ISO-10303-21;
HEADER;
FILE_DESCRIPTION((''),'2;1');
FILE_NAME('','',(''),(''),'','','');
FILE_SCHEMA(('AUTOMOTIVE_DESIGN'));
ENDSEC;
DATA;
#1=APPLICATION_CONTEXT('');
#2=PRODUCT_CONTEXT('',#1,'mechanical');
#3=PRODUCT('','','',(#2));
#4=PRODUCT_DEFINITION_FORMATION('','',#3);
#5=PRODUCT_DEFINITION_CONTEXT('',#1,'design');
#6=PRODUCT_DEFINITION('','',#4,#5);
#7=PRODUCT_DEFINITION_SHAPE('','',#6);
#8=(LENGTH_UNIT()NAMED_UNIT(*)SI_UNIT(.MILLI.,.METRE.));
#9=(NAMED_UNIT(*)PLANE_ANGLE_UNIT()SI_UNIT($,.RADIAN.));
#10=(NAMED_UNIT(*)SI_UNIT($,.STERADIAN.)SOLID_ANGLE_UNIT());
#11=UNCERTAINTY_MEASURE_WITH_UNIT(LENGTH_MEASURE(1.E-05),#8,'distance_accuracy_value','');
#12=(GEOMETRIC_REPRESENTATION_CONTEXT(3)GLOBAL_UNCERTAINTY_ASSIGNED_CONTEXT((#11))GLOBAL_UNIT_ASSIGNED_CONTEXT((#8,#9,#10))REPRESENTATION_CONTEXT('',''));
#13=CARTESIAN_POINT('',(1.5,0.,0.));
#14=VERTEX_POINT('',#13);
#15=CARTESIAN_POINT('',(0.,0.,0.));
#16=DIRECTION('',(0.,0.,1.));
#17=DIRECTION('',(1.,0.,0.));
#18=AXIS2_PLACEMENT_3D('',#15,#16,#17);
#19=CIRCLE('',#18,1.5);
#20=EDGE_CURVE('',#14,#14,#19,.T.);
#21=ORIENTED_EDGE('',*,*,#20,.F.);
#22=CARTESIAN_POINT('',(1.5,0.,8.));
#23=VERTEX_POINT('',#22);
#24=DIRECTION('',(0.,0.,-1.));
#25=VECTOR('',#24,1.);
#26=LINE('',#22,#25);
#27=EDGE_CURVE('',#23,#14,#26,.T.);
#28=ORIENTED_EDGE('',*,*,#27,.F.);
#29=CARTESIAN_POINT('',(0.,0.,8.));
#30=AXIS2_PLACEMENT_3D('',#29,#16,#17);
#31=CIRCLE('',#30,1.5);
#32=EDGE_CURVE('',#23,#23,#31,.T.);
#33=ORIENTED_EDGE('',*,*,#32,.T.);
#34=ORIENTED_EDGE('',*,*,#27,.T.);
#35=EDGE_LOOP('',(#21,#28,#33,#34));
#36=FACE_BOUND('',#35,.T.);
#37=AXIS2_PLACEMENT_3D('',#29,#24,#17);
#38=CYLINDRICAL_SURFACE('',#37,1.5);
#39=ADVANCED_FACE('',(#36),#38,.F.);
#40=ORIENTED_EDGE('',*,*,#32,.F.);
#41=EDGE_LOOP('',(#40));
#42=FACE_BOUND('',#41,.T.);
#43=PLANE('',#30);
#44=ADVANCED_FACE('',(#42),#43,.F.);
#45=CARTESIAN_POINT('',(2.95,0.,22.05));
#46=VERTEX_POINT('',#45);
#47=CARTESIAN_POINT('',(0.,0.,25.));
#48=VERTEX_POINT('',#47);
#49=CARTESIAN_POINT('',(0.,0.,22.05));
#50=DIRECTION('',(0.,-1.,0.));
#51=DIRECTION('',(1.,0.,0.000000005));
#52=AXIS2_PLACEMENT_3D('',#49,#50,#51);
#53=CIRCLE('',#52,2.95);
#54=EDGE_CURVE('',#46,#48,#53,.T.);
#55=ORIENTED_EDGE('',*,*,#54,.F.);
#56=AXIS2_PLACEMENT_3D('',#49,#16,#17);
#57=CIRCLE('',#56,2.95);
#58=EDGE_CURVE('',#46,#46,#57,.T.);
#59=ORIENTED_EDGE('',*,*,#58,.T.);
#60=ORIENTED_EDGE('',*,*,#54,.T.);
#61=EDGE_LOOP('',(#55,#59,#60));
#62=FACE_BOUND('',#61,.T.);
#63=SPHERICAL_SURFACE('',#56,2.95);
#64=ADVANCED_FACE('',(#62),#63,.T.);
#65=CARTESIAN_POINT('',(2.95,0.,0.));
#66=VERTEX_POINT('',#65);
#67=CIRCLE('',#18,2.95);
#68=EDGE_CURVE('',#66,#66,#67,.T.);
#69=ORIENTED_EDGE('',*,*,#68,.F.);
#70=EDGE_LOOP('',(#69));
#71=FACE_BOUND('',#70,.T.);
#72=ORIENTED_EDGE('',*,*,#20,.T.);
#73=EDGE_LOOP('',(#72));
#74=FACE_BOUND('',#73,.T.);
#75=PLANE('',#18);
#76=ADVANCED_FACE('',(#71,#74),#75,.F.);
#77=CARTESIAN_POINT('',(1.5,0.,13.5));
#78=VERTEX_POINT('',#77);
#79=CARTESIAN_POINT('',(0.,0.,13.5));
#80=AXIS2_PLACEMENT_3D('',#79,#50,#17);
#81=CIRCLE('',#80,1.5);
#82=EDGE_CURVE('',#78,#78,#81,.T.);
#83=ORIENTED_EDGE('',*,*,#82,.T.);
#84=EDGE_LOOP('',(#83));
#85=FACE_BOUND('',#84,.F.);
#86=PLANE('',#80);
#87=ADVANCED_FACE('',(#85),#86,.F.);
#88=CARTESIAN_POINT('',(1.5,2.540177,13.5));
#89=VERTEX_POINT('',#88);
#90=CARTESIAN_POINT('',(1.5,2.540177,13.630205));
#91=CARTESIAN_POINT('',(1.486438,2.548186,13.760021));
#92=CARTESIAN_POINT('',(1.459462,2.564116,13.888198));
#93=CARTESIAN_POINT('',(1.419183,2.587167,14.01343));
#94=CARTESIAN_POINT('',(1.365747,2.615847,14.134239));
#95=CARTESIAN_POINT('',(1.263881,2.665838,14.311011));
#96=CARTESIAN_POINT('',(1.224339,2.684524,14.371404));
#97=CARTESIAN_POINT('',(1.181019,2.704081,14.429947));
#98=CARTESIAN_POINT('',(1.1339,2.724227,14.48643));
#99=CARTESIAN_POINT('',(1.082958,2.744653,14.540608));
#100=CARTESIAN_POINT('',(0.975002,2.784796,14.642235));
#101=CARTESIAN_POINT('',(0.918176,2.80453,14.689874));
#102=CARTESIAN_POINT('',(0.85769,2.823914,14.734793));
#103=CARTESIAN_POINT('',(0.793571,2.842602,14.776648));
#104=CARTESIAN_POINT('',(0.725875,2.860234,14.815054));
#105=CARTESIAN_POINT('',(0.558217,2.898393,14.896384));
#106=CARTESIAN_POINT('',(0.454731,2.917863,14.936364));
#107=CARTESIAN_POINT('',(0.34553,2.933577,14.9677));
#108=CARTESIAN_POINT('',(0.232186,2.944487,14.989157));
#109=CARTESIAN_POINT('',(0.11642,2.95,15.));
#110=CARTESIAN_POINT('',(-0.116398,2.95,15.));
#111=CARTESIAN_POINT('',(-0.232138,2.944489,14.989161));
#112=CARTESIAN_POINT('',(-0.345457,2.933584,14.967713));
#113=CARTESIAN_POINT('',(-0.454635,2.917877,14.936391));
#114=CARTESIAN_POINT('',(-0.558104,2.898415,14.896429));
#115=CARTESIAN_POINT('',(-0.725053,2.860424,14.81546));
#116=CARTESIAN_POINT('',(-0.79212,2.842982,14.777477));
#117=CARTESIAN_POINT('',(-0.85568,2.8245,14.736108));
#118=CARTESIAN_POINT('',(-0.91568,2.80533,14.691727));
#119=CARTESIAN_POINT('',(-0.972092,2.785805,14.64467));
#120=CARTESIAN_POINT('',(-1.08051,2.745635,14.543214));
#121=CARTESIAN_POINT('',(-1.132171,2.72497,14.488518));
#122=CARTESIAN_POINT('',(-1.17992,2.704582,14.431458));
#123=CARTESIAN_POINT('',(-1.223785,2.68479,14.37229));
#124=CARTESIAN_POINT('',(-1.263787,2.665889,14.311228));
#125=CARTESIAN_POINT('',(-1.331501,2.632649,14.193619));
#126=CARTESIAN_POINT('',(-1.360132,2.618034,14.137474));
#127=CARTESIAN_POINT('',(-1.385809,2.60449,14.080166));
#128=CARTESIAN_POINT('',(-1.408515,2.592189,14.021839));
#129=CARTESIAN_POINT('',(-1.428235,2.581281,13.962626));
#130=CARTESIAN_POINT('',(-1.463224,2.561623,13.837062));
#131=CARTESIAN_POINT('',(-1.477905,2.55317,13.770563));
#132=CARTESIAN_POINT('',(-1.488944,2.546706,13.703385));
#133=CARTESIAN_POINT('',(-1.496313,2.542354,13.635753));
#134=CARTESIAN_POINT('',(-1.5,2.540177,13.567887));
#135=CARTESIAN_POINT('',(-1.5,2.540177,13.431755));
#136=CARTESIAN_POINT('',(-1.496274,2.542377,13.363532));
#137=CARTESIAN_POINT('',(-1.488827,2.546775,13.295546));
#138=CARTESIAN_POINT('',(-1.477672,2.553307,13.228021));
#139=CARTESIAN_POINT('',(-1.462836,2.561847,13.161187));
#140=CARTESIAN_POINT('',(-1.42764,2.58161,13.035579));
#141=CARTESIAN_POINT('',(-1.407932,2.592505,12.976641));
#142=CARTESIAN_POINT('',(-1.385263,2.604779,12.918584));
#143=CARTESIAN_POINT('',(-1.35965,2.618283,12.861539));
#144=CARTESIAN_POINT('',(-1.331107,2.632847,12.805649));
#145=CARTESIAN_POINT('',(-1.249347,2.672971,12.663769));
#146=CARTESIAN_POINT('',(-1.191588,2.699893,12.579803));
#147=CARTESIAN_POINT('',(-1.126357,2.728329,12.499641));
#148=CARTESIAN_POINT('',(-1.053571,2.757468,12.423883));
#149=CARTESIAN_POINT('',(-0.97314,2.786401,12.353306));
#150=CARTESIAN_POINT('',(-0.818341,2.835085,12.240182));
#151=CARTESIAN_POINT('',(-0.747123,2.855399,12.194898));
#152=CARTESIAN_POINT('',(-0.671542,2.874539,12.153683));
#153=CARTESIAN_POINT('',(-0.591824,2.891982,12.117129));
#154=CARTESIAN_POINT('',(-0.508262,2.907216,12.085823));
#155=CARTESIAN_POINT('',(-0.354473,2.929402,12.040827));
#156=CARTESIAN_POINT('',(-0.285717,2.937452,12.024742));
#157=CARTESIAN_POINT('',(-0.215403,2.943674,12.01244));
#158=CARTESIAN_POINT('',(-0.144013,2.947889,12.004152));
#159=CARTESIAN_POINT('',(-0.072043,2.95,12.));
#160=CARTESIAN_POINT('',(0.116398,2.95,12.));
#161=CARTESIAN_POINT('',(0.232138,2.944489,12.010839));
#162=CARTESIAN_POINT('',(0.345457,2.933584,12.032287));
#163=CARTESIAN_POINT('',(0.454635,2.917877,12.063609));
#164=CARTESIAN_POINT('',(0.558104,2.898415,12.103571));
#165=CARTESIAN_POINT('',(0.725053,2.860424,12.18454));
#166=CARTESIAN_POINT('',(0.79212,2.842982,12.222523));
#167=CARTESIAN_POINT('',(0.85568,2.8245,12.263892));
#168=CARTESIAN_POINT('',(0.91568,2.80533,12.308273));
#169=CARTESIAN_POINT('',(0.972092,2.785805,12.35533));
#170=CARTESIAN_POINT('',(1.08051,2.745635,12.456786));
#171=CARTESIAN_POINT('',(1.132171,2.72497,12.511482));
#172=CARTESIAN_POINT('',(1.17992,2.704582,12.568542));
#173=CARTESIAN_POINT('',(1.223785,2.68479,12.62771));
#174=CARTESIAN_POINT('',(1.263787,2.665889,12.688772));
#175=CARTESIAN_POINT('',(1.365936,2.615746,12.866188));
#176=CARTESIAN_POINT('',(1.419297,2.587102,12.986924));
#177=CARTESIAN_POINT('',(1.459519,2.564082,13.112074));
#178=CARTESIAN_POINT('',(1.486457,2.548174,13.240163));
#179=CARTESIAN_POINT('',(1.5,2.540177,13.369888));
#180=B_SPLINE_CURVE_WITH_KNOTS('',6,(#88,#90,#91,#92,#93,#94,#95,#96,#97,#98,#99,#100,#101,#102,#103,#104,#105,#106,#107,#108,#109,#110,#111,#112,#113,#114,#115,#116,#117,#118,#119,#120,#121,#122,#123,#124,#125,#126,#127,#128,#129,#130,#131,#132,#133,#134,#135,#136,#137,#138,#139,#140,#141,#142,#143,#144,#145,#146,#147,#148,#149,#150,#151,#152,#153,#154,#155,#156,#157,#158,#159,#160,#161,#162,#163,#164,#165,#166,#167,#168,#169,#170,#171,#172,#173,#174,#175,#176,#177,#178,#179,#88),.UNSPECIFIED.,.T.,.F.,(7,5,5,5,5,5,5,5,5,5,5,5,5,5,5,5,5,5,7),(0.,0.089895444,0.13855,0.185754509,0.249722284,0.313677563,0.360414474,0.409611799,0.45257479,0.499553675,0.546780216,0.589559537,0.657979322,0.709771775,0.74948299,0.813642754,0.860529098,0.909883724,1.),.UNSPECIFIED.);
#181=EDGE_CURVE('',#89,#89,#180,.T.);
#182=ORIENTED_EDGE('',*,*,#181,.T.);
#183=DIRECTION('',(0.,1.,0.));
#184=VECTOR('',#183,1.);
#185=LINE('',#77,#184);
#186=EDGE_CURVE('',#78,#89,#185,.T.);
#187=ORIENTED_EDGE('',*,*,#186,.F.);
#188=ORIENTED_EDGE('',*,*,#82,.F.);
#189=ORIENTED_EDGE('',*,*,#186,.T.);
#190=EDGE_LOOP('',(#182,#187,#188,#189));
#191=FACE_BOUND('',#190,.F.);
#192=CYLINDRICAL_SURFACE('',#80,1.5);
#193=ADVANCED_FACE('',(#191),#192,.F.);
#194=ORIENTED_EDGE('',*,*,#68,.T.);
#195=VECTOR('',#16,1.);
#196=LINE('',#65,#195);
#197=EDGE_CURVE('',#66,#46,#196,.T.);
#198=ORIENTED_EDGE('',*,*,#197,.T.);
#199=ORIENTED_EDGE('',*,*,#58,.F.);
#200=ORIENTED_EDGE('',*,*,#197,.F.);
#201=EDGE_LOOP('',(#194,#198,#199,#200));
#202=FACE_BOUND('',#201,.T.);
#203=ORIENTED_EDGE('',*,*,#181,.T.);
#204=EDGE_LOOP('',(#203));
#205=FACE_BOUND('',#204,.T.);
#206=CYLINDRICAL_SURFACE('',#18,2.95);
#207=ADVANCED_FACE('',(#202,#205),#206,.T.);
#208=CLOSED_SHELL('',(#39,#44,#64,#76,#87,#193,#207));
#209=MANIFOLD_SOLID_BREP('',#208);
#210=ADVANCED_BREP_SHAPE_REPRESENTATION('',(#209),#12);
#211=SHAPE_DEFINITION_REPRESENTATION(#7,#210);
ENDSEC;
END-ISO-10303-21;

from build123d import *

# Parameters (mm, degrees)
F2_R     = 1.5
F3_DEPTH = 25


with BuildPart() as f1:
    # F0 (on Front) → F1 (revolve)
    with BuildSketch(Plane.XZ):
        with BuildLine():
            Line((1.5, 8), (1.5, 0))
            Line((1.5, 0), (2.95, 0))
            Line((2.95, 0), (2.95, 22.05))
            ThreePointArc((2.95, 22.05), (2.085965, 24.135965), (0, 25))
            Line((0, 25), (0, 8))
            Line((0, 8), (1.5, 8))
        make_face()
    revolve(axis=Axis((0, 0, 16.5), (0, 0, 1)))

    # F2 (on Front) → F3 (cut)
    with BuildSketch(Plane.XZ):
        with Locations((0, 13.5)):
            Circle(F2_R)
    extrude(amount=-F3_DEPTH, mode=Mode.SUBTRACT)


solid = f1.part
